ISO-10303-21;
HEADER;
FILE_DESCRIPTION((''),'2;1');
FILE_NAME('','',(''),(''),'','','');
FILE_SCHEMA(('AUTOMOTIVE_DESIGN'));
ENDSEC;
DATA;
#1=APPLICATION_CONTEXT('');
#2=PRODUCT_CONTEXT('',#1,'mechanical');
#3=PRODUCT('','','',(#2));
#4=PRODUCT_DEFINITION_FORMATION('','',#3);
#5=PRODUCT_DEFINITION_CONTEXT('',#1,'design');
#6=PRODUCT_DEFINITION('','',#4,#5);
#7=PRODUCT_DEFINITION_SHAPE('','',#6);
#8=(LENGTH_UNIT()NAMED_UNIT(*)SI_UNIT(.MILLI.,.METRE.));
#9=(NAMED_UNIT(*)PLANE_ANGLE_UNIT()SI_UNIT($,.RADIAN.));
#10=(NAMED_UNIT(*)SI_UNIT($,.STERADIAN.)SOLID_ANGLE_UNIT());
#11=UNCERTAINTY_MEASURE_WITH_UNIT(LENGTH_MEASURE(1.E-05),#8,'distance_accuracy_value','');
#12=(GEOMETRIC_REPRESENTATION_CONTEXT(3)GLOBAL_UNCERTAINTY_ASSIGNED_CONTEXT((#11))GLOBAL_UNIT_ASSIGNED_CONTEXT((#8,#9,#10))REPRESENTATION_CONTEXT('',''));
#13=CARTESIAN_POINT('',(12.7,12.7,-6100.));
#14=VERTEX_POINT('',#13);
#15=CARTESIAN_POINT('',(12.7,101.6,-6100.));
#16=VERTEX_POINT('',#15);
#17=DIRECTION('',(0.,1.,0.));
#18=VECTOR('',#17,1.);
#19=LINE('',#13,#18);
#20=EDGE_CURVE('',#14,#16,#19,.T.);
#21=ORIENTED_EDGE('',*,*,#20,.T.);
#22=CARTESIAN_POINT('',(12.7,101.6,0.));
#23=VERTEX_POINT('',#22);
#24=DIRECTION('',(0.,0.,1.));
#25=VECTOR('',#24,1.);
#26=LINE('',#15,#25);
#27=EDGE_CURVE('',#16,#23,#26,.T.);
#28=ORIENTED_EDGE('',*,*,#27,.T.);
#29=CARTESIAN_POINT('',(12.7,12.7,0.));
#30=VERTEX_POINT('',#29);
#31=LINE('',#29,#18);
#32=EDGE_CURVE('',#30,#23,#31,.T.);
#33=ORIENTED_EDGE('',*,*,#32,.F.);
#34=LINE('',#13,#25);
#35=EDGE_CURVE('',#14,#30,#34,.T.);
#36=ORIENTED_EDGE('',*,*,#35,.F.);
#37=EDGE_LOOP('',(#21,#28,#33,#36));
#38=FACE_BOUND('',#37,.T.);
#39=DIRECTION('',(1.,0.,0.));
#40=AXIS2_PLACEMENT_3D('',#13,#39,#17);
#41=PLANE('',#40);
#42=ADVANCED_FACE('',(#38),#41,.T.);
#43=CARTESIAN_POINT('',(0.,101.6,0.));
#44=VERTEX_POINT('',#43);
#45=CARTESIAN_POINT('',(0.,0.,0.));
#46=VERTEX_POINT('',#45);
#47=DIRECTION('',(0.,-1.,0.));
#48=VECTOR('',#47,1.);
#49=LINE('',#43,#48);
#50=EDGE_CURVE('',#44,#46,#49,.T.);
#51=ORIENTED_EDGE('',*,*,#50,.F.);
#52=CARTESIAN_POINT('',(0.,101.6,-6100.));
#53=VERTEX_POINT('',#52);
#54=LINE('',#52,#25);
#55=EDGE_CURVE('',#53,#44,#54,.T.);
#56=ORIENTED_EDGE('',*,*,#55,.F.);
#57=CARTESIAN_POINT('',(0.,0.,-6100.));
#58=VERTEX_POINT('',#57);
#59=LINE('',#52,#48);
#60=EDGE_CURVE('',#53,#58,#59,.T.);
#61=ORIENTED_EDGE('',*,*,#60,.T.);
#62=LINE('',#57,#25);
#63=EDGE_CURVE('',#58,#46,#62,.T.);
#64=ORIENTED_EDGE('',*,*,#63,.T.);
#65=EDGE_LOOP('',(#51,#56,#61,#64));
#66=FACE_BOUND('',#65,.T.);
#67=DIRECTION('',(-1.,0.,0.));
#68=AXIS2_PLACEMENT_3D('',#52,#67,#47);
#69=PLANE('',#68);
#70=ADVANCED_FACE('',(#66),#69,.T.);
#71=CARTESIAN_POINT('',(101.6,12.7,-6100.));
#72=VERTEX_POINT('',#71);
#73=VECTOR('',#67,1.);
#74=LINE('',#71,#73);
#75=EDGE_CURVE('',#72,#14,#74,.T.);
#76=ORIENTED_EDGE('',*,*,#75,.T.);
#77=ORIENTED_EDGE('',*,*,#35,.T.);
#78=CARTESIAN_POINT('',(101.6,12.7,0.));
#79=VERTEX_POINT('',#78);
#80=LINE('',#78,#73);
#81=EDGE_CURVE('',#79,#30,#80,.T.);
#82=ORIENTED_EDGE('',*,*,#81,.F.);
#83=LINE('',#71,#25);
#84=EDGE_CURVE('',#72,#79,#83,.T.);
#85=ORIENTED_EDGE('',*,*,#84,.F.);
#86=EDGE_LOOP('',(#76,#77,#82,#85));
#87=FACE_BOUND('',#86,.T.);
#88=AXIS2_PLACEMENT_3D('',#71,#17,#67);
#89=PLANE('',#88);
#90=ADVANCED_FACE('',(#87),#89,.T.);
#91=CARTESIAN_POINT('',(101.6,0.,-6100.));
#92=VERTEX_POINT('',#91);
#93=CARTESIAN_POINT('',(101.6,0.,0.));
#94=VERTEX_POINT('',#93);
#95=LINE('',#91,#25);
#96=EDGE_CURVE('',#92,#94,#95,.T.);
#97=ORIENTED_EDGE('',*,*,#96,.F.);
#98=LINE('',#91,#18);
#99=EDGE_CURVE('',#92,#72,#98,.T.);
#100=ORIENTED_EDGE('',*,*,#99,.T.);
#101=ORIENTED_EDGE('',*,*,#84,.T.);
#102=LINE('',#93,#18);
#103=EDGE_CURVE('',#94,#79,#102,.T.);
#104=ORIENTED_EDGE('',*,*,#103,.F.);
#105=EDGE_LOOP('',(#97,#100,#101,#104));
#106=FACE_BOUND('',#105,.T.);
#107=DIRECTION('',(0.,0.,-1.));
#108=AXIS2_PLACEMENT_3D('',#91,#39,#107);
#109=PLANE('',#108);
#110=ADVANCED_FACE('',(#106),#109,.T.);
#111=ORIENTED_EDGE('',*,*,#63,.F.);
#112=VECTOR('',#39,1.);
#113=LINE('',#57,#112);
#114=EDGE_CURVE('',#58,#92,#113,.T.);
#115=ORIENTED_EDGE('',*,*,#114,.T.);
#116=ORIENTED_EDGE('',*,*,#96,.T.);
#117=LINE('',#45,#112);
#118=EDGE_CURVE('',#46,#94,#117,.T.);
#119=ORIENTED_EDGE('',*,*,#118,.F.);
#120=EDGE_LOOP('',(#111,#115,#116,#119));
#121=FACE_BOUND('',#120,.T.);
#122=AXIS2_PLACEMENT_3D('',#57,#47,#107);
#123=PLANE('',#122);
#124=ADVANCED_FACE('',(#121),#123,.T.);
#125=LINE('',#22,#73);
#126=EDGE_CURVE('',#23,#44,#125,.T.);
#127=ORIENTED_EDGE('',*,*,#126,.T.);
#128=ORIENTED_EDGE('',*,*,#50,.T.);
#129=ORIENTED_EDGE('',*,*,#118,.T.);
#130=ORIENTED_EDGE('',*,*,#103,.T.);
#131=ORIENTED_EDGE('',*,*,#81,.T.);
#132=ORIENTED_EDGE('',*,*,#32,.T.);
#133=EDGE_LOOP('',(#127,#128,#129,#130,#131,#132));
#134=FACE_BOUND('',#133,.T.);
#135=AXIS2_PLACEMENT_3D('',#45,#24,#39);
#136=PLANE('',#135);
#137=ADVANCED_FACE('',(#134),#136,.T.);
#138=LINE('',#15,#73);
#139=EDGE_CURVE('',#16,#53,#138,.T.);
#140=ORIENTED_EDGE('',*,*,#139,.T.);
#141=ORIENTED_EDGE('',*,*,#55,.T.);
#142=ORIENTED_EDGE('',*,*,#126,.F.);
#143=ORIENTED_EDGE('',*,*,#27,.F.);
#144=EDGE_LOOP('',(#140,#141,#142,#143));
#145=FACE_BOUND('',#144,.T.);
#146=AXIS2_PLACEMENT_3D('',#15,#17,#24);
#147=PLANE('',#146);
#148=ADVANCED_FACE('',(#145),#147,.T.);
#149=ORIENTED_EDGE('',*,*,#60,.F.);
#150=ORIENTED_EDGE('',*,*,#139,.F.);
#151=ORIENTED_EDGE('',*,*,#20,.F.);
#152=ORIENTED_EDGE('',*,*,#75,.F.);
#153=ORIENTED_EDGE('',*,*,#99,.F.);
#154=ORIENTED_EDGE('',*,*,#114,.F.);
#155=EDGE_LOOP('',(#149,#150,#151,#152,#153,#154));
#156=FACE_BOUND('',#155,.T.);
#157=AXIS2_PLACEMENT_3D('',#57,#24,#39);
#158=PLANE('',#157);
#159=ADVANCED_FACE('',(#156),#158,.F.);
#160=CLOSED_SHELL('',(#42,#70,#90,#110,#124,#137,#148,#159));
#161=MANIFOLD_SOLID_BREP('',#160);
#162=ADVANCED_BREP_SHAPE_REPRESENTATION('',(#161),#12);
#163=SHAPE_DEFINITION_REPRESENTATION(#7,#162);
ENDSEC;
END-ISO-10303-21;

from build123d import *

# Parameters (mm, degrees)
SALIENTE_EXTRUIR1_DEPTH = 6100


with BuildPart() as part:
    # Croquis1 → Saliente-Extruir1 (new body)
    with BuildSketch(Plane.XY):
        Polygon((0, 101.6), (0, 0), (101.6, 0), (101.6, 12.7), (12.7, 12.7), (12.7, 101.6), align=None)
    extrude(amount=-SALIENTE_EXTRUIR1_DEPTH)


solid = part.part
